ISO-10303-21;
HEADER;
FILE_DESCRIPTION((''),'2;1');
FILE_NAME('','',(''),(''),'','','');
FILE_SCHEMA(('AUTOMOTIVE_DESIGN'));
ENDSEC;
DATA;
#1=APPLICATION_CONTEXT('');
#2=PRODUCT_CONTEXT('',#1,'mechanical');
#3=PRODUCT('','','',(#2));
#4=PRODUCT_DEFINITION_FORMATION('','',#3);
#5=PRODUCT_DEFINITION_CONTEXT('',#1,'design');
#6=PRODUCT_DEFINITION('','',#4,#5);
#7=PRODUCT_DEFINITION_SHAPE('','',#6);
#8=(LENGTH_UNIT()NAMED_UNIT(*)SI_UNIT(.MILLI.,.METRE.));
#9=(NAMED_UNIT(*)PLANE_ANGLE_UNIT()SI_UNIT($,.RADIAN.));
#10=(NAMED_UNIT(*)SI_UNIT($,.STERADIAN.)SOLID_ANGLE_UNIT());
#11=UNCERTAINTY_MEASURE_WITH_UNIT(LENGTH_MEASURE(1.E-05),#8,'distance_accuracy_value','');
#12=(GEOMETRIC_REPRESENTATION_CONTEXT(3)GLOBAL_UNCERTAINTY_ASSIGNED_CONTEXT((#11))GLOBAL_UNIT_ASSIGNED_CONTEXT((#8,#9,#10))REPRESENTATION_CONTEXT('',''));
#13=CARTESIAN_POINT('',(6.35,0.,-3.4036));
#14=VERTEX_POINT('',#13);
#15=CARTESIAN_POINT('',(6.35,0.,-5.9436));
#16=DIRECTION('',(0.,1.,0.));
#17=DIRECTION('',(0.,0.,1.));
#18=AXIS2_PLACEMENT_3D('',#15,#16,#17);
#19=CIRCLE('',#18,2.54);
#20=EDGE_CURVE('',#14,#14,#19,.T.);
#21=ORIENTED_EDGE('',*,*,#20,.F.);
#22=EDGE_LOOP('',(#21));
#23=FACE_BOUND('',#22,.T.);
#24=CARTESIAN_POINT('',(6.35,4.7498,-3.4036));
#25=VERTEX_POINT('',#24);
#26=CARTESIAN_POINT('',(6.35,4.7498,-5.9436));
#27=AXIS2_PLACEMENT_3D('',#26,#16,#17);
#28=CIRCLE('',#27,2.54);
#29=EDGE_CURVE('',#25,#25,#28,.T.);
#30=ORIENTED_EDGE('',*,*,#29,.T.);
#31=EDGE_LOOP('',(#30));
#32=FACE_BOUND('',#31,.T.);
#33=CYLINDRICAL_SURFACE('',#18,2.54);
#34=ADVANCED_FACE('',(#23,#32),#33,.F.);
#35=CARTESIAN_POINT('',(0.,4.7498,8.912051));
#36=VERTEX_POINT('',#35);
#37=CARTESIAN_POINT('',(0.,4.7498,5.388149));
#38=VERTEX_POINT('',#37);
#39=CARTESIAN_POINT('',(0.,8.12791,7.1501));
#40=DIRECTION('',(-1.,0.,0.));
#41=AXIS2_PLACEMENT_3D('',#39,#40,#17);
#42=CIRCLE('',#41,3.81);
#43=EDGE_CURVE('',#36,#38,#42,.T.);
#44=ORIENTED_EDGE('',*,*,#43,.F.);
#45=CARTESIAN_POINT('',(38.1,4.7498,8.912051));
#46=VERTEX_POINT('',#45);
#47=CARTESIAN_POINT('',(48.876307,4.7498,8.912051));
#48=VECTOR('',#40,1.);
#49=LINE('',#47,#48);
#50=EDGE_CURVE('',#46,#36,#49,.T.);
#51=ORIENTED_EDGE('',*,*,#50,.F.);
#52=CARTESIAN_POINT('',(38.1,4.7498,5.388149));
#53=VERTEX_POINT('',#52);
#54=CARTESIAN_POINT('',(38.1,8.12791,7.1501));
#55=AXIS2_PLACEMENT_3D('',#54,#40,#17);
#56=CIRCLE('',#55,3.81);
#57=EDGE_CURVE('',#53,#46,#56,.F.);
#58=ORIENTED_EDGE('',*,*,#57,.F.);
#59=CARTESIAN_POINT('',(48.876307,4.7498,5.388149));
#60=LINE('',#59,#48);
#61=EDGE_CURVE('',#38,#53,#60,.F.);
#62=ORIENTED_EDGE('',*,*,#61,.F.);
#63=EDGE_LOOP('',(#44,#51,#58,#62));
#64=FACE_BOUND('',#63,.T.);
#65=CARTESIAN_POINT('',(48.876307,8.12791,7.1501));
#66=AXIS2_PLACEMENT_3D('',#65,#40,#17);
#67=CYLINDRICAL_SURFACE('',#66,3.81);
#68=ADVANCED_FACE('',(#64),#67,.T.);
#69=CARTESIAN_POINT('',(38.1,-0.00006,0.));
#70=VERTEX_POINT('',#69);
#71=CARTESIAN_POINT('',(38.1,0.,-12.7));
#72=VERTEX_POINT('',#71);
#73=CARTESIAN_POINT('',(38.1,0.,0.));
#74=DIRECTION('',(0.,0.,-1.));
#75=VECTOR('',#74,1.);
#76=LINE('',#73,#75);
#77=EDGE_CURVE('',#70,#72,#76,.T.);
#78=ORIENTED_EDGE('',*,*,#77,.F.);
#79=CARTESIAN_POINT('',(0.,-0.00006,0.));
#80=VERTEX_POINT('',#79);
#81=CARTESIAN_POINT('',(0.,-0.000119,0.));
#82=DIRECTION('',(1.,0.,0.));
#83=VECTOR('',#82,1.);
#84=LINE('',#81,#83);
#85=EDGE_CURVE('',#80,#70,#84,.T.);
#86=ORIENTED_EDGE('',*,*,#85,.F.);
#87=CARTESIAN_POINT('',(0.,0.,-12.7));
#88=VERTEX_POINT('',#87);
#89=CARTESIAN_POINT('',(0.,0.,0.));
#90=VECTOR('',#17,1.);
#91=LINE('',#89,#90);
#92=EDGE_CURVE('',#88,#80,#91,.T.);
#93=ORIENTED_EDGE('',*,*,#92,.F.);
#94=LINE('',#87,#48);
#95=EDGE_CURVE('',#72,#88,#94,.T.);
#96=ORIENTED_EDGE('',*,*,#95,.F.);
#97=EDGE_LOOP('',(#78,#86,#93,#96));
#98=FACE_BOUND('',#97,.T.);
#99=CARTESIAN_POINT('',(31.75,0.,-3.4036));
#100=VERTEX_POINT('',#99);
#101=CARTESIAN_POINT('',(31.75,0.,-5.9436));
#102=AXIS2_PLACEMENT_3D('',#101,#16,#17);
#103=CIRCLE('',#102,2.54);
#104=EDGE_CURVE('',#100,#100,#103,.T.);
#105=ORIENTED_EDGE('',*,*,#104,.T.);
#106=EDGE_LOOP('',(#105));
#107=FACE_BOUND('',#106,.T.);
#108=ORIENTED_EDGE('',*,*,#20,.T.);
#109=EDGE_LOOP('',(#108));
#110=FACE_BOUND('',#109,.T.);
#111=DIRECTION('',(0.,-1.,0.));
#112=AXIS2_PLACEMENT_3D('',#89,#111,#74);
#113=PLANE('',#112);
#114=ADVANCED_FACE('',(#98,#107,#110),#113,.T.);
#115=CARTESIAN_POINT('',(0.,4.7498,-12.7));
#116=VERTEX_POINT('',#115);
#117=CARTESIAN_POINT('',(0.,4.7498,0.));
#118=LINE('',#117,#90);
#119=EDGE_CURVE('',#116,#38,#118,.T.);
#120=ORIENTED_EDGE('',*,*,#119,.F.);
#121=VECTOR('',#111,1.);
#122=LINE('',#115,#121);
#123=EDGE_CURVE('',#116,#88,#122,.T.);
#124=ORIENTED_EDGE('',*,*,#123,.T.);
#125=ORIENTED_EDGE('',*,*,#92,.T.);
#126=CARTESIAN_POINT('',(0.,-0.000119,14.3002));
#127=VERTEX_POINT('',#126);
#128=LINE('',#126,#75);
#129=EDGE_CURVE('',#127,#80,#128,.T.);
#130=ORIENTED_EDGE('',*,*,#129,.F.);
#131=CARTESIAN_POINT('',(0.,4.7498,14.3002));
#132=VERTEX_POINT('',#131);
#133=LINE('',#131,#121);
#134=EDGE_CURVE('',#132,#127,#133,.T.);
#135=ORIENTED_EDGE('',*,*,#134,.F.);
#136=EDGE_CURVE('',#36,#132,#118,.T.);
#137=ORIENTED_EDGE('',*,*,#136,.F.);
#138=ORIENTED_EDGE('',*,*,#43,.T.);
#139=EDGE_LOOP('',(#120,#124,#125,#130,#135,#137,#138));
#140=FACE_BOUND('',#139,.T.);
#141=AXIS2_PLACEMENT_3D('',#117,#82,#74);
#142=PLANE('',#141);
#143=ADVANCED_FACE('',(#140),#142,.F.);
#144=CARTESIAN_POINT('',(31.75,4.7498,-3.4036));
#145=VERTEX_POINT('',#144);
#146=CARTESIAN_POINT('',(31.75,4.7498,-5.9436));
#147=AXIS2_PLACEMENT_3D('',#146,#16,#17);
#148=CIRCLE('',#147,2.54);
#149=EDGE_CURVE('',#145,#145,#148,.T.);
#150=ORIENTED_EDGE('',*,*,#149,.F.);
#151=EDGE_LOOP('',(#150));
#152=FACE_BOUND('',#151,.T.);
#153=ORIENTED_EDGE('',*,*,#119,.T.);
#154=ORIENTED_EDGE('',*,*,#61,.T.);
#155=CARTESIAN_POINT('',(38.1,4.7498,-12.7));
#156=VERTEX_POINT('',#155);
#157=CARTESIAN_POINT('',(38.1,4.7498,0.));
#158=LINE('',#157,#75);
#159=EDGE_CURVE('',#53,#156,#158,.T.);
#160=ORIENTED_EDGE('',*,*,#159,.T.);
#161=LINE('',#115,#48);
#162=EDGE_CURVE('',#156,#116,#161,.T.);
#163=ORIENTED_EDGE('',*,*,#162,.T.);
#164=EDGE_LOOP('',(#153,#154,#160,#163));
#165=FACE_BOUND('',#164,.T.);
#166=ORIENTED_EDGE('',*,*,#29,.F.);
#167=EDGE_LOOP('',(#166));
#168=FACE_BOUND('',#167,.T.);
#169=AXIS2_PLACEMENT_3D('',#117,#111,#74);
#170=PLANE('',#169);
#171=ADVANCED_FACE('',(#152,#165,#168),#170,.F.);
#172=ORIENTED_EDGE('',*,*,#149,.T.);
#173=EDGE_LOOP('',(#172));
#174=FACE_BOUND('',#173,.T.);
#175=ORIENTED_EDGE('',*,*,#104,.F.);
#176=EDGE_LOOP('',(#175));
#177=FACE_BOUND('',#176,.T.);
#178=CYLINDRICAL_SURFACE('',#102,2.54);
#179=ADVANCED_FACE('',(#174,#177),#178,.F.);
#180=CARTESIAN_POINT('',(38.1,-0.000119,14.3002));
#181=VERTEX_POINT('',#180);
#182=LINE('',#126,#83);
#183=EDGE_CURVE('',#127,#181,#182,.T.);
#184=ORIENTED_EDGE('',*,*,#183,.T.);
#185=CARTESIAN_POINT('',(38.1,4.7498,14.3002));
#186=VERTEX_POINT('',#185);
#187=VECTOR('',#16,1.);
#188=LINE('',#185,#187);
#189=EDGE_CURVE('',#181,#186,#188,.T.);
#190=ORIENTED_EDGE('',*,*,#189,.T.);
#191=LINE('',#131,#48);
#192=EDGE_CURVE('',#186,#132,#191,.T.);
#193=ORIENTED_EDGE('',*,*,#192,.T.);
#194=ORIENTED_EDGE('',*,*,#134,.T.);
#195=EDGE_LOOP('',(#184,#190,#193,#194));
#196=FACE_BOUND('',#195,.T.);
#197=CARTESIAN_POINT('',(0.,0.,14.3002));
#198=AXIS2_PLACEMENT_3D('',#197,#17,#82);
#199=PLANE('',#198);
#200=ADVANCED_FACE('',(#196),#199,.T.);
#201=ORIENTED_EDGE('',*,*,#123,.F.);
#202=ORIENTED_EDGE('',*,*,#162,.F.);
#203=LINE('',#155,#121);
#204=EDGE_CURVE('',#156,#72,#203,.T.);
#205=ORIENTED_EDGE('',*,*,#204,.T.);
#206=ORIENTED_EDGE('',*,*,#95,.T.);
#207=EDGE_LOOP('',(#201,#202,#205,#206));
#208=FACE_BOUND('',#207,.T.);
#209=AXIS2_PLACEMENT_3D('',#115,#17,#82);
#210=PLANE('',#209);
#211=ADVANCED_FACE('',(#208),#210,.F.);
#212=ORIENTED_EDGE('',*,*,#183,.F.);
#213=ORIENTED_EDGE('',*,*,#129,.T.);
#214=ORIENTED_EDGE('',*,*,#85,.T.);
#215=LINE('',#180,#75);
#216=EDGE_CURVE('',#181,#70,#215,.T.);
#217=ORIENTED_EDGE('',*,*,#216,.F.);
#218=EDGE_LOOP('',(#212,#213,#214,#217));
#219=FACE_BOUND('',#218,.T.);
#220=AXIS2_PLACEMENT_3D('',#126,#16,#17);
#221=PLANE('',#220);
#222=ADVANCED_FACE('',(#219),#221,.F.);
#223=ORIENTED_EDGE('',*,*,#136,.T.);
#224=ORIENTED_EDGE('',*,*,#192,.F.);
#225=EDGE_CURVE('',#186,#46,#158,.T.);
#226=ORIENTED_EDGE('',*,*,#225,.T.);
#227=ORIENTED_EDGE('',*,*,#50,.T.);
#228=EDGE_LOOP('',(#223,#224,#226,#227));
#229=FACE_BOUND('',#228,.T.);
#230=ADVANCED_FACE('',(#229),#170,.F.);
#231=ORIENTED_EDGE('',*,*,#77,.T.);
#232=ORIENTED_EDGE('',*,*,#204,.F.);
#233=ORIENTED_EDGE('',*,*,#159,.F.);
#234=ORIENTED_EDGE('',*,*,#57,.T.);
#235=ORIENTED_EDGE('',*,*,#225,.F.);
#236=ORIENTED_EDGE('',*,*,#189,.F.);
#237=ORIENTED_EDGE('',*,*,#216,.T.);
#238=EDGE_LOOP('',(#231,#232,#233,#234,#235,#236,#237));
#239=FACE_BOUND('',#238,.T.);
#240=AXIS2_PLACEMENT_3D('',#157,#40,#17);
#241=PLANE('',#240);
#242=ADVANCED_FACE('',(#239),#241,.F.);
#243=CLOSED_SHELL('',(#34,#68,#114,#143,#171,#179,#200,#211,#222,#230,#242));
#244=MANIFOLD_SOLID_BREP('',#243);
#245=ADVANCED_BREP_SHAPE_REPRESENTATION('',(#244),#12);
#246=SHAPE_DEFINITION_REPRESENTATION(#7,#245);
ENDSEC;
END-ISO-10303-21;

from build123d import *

# Parameters (mm, degrees)
SKETCH1_W           = 38.1
SKETCH1_H           = 12.7
BOSS_EXTRUDE1_DEPTH = 4.7498
SKETCH2_R           = 2.54
CUT_EXTRUDE1_DEPTH  = 4.7498
SKETCH4_W           = 38.1
SKETCH4_H           = 4.749919389
BOSS_EXTRUDE2_DEPTH = 14.3002
SKETCH5_R           = 3.81
BOSS_EXTRUDE3_DEPTH = 38.1


with BuildPart() as part:
    # Sketch1 → Boss-Extrude1 (new body)
    with BuildSketch(Plane(origin=(0, 0, 0), x_dir=(1, 0, 0), z_dir=(0, 1, 0))):
        with Locations((19.05, 6.35)):
            Rectangle(SKETCH1_W, SKETCH1_H)
    extrude(amount=BOSS_EXTRUDE1_DEPTH)

    # Sketch2 → Cut-Extrude1 (cut)
    with BuildSketch(Plane(origin=(0, 4.7498, 0), x_dir=(1, 0, 0), z_dir=(0, 1, 0))):
        with Locations(Location((6.35, 5.9436, 0), (0, 0, 270))):
            Circle(SKETCH2_R)
        with Locations(Location((31.75, 5.9436, 0), (0, 0, 270))):
            Circle(SKETCH2_R)
    extrude(amount=-CUT_EXTRUDE1_DEPTH, mode=Mode.SUBTRACT)

    # Sketch4 → Boss-Extrude2 (add)
    with BuildSketch(Plane.XY):
        with Locations((19.05, 2.374840306)):
            Rectangle(SKETCH4_W, SKETCH4_H)
    extrude(amount=BOSS_EXTRUDE2_DEPTH)

    # Sketch5 → Boss-Extrude3 (add)
    with BuildSketch(Plane.ZY):
        with Locations((7.1501, 8.127910458)):
            Circle(SKETCH5_R)
    extrude(amount=-BOSS_EXTRUDE3_DEPTH)


solid = part.part
